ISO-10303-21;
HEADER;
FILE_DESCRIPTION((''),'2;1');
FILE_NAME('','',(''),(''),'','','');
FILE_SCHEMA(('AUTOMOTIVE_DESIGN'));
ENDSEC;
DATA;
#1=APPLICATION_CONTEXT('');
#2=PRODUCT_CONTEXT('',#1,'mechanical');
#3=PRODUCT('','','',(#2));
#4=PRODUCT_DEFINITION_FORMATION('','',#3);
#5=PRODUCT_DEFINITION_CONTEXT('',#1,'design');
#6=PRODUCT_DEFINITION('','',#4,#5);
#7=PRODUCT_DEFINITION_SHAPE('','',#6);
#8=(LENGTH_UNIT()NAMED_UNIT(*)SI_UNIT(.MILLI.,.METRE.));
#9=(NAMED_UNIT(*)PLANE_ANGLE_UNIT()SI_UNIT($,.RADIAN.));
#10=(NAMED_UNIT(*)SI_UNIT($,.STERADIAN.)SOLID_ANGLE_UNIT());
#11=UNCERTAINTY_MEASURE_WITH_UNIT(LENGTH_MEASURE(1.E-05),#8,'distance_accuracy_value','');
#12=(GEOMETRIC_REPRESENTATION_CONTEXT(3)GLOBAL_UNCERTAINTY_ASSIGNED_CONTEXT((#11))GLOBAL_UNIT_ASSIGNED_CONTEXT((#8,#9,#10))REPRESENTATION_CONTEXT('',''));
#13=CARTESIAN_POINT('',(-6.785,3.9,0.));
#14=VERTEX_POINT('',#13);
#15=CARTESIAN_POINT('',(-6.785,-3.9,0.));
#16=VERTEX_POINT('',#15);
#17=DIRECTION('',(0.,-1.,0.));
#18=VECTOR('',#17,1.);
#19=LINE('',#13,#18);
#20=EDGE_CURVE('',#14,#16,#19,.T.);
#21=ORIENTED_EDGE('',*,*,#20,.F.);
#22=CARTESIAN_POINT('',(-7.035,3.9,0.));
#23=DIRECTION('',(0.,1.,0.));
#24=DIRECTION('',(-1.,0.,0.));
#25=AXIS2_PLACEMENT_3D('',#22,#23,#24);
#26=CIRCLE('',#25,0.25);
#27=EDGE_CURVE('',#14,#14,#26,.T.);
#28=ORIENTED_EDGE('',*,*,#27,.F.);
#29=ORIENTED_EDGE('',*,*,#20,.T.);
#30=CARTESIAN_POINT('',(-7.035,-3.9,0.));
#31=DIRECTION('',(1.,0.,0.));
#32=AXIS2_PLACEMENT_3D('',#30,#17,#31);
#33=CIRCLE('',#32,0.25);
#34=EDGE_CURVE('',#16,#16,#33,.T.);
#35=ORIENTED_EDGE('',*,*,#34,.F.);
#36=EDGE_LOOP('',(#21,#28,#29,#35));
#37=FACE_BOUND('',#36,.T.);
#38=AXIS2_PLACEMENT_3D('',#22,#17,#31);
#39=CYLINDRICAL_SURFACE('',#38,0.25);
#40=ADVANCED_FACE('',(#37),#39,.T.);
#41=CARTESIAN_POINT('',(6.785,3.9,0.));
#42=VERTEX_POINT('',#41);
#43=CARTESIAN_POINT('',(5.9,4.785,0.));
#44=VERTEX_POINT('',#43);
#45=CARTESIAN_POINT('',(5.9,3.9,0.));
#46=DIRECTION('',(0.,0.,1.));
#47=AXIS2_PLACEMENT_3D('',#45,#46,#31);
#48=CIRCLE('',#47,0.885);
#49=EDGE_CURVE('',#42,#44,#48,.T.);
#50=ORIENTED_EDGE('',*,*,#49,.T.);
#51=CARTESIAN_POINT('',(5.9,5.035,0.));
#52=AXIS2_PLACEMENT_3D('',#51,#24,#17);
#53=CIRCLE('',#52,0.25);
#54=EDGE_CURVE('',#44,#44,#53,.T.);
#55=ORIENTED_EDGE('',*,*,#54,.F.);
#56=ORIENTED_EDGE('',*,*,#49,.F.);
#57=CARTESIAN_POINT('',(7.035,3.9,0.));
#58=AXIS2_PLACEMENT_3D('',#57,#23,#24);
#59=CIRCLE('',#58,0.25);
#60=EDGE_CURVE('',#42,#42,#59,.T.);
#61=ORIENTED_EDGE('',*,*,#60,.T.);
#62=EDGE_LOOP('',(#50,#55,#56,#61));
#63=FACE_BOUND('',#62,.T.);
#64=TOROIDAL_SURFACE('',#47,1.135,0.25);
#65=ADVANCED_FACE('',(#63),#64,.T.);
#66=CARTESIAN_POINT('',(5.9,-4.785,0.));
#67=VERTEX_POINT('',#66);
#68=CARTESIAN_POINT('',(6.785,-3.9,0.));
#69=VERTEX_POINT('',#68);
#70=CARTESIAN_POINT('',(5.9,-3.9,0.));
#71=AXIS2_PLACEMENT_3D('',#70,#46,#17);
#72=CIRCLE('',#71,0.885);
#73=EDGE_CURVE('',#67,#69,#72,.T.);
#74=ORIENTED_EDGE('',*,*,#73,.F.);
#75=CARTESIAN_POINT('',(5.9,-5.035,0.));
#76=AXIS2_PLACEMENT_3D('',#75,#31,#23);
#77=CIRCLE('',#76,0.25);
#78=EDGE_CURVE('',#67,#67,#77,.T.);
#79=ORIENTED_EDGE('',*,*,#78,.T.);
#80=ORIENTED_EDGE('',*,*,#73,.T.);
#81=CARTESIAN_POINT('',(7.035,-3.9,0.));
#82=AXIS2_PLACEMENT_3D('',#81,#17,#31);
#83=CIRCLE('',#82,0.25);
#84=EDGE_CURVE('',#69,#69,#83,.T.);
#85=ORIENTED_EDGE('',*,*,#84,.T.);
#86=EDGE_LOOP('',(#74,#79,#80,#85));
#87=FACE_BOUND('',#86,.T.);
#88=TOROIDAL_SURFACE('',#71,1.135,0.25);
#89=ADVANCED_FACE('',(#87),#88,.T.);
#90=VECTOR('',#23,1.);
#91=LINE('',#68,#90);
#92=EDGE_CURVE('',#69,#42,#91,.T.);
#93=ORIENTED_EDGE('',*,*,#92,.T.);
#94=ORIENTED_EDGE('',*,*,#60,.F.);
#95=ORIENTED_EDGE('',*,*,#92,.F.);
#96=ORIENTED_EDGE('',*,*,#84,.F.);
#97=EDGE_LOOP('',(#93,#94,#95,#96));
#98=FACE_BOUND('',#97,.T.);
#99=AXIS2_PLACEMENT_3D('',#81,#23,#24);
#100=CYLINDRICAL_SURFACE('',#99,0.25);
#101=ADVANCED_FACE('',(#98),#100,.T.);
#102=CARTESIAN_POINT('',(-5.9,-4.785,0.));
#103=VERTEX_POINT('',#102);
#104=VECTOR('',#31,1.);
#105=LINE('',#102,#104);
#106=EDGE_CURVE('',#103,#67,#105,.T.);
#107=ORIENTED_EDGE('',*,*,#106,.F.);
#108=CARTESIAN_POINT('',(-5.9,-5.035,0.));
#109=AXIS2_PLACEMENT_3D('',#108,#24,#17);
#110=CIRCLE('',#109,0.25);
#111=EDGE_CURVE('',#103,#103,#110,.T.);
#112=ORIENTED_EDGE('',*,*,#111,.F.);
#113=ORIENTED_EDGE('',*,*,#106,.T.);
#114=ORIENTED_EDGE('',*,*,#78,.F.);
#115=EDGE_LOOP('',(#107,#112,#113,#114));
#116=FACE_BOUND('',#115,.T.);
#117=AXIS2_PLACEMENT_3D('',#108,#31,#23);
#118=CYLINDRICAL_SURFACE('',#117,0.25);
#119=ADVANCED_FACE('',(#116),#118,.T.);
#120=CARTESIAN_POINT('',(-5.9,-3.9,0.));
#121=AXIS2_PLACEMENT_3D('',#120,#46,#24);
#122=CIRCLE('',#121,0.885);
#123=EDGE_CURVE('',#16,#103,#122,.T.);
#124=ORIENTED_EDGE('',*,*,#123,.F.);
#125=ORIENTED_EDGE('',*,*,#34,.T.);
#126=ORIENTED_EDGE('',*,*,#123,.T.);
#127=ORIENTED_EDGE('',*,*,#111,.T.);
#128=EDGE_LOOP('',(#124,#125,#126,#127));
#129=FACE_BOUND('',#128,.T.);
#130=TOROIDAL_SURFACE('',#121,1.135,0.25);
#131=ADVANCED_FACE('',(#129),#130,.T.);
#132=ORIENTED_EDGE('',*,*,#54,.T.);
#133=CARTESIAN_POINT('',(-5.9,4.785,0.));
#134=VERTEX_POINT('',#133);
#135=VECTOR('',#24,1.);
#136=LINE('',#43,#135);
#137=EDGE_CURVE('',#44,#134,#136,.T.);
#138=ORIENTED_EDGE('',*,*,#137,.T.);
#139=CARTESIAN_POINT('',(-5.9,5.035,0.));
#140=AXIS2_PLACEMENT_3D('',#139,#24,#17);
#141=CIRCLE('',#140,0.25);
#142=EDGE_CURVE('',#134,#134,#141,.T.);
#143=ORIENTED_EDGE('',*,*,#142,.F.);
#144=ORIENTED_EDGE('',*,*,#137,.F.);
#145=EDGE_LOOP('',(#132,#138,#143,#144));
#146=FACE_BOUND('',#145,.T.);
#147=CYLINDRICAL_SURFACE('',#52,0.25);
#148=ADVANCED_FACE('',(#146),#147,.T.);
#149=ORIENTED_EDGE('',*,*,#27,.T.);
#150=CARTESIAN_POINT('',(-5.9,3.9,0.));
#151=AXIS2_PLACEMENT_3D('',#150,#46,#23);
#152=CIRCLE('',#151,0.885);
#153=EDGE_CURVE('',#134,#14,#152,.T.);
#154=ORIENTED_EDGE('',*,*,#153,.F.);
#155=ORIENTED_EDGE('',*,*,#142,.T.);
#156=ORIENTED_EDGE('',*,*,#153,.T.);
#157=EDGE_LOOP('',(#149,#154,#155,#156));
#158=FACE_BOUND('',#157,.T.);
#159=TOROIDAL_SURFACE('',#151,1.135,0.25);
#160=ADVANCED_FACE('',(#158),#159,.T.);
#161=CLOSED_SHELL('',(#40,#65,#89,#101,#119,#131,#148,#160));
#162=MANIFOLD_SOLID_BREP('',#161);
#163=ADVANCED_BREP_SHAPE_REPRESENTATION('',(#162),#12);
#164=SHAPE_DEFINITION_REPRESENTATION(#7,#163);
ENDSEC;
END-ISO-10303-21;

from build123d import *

# Parameters (mm, degrees)
F2_R = 0.25


with BuildPart() as f3:
    # F3: sweep along a path in F0
    with BuildLine(Plane.XY) as f3_path:
        Line((5.9, 5.035), (-5.9, 5.035))
        ThreePointArc((-5.9, 5.035), (-6.7025661966, 4.7025661966), (-7.035, 3.9))
        Line((-7.035, 3.9), (-7.035, -3.9))
        ThreePointArc((-7.035, -3.9), (-6.7025661966, -4.7025661966), (-5.9, -5.035))
        Line((-5.9, -5.035), (5.9, -5.035))
        ThreePointArc((5.9, -5.035), (6.7025661966, -4.7025661966), (7.035, -3.9))
        Line((7.035, -3.9), (7.035, 3.9))
        ThreePointArc((7.035, 3.9), (6.7025661966, 4.7025661966), (5.9, 5.035))
    # F2 (on plane+point) → F3 (sweep)
    with BuildSketch(Plane.XZ.offset(3.9)):
        with Locations((-7.035, 0)):
            Circle(F2_R)
    sweep(path=f3_path.line)


solid = f3.part
